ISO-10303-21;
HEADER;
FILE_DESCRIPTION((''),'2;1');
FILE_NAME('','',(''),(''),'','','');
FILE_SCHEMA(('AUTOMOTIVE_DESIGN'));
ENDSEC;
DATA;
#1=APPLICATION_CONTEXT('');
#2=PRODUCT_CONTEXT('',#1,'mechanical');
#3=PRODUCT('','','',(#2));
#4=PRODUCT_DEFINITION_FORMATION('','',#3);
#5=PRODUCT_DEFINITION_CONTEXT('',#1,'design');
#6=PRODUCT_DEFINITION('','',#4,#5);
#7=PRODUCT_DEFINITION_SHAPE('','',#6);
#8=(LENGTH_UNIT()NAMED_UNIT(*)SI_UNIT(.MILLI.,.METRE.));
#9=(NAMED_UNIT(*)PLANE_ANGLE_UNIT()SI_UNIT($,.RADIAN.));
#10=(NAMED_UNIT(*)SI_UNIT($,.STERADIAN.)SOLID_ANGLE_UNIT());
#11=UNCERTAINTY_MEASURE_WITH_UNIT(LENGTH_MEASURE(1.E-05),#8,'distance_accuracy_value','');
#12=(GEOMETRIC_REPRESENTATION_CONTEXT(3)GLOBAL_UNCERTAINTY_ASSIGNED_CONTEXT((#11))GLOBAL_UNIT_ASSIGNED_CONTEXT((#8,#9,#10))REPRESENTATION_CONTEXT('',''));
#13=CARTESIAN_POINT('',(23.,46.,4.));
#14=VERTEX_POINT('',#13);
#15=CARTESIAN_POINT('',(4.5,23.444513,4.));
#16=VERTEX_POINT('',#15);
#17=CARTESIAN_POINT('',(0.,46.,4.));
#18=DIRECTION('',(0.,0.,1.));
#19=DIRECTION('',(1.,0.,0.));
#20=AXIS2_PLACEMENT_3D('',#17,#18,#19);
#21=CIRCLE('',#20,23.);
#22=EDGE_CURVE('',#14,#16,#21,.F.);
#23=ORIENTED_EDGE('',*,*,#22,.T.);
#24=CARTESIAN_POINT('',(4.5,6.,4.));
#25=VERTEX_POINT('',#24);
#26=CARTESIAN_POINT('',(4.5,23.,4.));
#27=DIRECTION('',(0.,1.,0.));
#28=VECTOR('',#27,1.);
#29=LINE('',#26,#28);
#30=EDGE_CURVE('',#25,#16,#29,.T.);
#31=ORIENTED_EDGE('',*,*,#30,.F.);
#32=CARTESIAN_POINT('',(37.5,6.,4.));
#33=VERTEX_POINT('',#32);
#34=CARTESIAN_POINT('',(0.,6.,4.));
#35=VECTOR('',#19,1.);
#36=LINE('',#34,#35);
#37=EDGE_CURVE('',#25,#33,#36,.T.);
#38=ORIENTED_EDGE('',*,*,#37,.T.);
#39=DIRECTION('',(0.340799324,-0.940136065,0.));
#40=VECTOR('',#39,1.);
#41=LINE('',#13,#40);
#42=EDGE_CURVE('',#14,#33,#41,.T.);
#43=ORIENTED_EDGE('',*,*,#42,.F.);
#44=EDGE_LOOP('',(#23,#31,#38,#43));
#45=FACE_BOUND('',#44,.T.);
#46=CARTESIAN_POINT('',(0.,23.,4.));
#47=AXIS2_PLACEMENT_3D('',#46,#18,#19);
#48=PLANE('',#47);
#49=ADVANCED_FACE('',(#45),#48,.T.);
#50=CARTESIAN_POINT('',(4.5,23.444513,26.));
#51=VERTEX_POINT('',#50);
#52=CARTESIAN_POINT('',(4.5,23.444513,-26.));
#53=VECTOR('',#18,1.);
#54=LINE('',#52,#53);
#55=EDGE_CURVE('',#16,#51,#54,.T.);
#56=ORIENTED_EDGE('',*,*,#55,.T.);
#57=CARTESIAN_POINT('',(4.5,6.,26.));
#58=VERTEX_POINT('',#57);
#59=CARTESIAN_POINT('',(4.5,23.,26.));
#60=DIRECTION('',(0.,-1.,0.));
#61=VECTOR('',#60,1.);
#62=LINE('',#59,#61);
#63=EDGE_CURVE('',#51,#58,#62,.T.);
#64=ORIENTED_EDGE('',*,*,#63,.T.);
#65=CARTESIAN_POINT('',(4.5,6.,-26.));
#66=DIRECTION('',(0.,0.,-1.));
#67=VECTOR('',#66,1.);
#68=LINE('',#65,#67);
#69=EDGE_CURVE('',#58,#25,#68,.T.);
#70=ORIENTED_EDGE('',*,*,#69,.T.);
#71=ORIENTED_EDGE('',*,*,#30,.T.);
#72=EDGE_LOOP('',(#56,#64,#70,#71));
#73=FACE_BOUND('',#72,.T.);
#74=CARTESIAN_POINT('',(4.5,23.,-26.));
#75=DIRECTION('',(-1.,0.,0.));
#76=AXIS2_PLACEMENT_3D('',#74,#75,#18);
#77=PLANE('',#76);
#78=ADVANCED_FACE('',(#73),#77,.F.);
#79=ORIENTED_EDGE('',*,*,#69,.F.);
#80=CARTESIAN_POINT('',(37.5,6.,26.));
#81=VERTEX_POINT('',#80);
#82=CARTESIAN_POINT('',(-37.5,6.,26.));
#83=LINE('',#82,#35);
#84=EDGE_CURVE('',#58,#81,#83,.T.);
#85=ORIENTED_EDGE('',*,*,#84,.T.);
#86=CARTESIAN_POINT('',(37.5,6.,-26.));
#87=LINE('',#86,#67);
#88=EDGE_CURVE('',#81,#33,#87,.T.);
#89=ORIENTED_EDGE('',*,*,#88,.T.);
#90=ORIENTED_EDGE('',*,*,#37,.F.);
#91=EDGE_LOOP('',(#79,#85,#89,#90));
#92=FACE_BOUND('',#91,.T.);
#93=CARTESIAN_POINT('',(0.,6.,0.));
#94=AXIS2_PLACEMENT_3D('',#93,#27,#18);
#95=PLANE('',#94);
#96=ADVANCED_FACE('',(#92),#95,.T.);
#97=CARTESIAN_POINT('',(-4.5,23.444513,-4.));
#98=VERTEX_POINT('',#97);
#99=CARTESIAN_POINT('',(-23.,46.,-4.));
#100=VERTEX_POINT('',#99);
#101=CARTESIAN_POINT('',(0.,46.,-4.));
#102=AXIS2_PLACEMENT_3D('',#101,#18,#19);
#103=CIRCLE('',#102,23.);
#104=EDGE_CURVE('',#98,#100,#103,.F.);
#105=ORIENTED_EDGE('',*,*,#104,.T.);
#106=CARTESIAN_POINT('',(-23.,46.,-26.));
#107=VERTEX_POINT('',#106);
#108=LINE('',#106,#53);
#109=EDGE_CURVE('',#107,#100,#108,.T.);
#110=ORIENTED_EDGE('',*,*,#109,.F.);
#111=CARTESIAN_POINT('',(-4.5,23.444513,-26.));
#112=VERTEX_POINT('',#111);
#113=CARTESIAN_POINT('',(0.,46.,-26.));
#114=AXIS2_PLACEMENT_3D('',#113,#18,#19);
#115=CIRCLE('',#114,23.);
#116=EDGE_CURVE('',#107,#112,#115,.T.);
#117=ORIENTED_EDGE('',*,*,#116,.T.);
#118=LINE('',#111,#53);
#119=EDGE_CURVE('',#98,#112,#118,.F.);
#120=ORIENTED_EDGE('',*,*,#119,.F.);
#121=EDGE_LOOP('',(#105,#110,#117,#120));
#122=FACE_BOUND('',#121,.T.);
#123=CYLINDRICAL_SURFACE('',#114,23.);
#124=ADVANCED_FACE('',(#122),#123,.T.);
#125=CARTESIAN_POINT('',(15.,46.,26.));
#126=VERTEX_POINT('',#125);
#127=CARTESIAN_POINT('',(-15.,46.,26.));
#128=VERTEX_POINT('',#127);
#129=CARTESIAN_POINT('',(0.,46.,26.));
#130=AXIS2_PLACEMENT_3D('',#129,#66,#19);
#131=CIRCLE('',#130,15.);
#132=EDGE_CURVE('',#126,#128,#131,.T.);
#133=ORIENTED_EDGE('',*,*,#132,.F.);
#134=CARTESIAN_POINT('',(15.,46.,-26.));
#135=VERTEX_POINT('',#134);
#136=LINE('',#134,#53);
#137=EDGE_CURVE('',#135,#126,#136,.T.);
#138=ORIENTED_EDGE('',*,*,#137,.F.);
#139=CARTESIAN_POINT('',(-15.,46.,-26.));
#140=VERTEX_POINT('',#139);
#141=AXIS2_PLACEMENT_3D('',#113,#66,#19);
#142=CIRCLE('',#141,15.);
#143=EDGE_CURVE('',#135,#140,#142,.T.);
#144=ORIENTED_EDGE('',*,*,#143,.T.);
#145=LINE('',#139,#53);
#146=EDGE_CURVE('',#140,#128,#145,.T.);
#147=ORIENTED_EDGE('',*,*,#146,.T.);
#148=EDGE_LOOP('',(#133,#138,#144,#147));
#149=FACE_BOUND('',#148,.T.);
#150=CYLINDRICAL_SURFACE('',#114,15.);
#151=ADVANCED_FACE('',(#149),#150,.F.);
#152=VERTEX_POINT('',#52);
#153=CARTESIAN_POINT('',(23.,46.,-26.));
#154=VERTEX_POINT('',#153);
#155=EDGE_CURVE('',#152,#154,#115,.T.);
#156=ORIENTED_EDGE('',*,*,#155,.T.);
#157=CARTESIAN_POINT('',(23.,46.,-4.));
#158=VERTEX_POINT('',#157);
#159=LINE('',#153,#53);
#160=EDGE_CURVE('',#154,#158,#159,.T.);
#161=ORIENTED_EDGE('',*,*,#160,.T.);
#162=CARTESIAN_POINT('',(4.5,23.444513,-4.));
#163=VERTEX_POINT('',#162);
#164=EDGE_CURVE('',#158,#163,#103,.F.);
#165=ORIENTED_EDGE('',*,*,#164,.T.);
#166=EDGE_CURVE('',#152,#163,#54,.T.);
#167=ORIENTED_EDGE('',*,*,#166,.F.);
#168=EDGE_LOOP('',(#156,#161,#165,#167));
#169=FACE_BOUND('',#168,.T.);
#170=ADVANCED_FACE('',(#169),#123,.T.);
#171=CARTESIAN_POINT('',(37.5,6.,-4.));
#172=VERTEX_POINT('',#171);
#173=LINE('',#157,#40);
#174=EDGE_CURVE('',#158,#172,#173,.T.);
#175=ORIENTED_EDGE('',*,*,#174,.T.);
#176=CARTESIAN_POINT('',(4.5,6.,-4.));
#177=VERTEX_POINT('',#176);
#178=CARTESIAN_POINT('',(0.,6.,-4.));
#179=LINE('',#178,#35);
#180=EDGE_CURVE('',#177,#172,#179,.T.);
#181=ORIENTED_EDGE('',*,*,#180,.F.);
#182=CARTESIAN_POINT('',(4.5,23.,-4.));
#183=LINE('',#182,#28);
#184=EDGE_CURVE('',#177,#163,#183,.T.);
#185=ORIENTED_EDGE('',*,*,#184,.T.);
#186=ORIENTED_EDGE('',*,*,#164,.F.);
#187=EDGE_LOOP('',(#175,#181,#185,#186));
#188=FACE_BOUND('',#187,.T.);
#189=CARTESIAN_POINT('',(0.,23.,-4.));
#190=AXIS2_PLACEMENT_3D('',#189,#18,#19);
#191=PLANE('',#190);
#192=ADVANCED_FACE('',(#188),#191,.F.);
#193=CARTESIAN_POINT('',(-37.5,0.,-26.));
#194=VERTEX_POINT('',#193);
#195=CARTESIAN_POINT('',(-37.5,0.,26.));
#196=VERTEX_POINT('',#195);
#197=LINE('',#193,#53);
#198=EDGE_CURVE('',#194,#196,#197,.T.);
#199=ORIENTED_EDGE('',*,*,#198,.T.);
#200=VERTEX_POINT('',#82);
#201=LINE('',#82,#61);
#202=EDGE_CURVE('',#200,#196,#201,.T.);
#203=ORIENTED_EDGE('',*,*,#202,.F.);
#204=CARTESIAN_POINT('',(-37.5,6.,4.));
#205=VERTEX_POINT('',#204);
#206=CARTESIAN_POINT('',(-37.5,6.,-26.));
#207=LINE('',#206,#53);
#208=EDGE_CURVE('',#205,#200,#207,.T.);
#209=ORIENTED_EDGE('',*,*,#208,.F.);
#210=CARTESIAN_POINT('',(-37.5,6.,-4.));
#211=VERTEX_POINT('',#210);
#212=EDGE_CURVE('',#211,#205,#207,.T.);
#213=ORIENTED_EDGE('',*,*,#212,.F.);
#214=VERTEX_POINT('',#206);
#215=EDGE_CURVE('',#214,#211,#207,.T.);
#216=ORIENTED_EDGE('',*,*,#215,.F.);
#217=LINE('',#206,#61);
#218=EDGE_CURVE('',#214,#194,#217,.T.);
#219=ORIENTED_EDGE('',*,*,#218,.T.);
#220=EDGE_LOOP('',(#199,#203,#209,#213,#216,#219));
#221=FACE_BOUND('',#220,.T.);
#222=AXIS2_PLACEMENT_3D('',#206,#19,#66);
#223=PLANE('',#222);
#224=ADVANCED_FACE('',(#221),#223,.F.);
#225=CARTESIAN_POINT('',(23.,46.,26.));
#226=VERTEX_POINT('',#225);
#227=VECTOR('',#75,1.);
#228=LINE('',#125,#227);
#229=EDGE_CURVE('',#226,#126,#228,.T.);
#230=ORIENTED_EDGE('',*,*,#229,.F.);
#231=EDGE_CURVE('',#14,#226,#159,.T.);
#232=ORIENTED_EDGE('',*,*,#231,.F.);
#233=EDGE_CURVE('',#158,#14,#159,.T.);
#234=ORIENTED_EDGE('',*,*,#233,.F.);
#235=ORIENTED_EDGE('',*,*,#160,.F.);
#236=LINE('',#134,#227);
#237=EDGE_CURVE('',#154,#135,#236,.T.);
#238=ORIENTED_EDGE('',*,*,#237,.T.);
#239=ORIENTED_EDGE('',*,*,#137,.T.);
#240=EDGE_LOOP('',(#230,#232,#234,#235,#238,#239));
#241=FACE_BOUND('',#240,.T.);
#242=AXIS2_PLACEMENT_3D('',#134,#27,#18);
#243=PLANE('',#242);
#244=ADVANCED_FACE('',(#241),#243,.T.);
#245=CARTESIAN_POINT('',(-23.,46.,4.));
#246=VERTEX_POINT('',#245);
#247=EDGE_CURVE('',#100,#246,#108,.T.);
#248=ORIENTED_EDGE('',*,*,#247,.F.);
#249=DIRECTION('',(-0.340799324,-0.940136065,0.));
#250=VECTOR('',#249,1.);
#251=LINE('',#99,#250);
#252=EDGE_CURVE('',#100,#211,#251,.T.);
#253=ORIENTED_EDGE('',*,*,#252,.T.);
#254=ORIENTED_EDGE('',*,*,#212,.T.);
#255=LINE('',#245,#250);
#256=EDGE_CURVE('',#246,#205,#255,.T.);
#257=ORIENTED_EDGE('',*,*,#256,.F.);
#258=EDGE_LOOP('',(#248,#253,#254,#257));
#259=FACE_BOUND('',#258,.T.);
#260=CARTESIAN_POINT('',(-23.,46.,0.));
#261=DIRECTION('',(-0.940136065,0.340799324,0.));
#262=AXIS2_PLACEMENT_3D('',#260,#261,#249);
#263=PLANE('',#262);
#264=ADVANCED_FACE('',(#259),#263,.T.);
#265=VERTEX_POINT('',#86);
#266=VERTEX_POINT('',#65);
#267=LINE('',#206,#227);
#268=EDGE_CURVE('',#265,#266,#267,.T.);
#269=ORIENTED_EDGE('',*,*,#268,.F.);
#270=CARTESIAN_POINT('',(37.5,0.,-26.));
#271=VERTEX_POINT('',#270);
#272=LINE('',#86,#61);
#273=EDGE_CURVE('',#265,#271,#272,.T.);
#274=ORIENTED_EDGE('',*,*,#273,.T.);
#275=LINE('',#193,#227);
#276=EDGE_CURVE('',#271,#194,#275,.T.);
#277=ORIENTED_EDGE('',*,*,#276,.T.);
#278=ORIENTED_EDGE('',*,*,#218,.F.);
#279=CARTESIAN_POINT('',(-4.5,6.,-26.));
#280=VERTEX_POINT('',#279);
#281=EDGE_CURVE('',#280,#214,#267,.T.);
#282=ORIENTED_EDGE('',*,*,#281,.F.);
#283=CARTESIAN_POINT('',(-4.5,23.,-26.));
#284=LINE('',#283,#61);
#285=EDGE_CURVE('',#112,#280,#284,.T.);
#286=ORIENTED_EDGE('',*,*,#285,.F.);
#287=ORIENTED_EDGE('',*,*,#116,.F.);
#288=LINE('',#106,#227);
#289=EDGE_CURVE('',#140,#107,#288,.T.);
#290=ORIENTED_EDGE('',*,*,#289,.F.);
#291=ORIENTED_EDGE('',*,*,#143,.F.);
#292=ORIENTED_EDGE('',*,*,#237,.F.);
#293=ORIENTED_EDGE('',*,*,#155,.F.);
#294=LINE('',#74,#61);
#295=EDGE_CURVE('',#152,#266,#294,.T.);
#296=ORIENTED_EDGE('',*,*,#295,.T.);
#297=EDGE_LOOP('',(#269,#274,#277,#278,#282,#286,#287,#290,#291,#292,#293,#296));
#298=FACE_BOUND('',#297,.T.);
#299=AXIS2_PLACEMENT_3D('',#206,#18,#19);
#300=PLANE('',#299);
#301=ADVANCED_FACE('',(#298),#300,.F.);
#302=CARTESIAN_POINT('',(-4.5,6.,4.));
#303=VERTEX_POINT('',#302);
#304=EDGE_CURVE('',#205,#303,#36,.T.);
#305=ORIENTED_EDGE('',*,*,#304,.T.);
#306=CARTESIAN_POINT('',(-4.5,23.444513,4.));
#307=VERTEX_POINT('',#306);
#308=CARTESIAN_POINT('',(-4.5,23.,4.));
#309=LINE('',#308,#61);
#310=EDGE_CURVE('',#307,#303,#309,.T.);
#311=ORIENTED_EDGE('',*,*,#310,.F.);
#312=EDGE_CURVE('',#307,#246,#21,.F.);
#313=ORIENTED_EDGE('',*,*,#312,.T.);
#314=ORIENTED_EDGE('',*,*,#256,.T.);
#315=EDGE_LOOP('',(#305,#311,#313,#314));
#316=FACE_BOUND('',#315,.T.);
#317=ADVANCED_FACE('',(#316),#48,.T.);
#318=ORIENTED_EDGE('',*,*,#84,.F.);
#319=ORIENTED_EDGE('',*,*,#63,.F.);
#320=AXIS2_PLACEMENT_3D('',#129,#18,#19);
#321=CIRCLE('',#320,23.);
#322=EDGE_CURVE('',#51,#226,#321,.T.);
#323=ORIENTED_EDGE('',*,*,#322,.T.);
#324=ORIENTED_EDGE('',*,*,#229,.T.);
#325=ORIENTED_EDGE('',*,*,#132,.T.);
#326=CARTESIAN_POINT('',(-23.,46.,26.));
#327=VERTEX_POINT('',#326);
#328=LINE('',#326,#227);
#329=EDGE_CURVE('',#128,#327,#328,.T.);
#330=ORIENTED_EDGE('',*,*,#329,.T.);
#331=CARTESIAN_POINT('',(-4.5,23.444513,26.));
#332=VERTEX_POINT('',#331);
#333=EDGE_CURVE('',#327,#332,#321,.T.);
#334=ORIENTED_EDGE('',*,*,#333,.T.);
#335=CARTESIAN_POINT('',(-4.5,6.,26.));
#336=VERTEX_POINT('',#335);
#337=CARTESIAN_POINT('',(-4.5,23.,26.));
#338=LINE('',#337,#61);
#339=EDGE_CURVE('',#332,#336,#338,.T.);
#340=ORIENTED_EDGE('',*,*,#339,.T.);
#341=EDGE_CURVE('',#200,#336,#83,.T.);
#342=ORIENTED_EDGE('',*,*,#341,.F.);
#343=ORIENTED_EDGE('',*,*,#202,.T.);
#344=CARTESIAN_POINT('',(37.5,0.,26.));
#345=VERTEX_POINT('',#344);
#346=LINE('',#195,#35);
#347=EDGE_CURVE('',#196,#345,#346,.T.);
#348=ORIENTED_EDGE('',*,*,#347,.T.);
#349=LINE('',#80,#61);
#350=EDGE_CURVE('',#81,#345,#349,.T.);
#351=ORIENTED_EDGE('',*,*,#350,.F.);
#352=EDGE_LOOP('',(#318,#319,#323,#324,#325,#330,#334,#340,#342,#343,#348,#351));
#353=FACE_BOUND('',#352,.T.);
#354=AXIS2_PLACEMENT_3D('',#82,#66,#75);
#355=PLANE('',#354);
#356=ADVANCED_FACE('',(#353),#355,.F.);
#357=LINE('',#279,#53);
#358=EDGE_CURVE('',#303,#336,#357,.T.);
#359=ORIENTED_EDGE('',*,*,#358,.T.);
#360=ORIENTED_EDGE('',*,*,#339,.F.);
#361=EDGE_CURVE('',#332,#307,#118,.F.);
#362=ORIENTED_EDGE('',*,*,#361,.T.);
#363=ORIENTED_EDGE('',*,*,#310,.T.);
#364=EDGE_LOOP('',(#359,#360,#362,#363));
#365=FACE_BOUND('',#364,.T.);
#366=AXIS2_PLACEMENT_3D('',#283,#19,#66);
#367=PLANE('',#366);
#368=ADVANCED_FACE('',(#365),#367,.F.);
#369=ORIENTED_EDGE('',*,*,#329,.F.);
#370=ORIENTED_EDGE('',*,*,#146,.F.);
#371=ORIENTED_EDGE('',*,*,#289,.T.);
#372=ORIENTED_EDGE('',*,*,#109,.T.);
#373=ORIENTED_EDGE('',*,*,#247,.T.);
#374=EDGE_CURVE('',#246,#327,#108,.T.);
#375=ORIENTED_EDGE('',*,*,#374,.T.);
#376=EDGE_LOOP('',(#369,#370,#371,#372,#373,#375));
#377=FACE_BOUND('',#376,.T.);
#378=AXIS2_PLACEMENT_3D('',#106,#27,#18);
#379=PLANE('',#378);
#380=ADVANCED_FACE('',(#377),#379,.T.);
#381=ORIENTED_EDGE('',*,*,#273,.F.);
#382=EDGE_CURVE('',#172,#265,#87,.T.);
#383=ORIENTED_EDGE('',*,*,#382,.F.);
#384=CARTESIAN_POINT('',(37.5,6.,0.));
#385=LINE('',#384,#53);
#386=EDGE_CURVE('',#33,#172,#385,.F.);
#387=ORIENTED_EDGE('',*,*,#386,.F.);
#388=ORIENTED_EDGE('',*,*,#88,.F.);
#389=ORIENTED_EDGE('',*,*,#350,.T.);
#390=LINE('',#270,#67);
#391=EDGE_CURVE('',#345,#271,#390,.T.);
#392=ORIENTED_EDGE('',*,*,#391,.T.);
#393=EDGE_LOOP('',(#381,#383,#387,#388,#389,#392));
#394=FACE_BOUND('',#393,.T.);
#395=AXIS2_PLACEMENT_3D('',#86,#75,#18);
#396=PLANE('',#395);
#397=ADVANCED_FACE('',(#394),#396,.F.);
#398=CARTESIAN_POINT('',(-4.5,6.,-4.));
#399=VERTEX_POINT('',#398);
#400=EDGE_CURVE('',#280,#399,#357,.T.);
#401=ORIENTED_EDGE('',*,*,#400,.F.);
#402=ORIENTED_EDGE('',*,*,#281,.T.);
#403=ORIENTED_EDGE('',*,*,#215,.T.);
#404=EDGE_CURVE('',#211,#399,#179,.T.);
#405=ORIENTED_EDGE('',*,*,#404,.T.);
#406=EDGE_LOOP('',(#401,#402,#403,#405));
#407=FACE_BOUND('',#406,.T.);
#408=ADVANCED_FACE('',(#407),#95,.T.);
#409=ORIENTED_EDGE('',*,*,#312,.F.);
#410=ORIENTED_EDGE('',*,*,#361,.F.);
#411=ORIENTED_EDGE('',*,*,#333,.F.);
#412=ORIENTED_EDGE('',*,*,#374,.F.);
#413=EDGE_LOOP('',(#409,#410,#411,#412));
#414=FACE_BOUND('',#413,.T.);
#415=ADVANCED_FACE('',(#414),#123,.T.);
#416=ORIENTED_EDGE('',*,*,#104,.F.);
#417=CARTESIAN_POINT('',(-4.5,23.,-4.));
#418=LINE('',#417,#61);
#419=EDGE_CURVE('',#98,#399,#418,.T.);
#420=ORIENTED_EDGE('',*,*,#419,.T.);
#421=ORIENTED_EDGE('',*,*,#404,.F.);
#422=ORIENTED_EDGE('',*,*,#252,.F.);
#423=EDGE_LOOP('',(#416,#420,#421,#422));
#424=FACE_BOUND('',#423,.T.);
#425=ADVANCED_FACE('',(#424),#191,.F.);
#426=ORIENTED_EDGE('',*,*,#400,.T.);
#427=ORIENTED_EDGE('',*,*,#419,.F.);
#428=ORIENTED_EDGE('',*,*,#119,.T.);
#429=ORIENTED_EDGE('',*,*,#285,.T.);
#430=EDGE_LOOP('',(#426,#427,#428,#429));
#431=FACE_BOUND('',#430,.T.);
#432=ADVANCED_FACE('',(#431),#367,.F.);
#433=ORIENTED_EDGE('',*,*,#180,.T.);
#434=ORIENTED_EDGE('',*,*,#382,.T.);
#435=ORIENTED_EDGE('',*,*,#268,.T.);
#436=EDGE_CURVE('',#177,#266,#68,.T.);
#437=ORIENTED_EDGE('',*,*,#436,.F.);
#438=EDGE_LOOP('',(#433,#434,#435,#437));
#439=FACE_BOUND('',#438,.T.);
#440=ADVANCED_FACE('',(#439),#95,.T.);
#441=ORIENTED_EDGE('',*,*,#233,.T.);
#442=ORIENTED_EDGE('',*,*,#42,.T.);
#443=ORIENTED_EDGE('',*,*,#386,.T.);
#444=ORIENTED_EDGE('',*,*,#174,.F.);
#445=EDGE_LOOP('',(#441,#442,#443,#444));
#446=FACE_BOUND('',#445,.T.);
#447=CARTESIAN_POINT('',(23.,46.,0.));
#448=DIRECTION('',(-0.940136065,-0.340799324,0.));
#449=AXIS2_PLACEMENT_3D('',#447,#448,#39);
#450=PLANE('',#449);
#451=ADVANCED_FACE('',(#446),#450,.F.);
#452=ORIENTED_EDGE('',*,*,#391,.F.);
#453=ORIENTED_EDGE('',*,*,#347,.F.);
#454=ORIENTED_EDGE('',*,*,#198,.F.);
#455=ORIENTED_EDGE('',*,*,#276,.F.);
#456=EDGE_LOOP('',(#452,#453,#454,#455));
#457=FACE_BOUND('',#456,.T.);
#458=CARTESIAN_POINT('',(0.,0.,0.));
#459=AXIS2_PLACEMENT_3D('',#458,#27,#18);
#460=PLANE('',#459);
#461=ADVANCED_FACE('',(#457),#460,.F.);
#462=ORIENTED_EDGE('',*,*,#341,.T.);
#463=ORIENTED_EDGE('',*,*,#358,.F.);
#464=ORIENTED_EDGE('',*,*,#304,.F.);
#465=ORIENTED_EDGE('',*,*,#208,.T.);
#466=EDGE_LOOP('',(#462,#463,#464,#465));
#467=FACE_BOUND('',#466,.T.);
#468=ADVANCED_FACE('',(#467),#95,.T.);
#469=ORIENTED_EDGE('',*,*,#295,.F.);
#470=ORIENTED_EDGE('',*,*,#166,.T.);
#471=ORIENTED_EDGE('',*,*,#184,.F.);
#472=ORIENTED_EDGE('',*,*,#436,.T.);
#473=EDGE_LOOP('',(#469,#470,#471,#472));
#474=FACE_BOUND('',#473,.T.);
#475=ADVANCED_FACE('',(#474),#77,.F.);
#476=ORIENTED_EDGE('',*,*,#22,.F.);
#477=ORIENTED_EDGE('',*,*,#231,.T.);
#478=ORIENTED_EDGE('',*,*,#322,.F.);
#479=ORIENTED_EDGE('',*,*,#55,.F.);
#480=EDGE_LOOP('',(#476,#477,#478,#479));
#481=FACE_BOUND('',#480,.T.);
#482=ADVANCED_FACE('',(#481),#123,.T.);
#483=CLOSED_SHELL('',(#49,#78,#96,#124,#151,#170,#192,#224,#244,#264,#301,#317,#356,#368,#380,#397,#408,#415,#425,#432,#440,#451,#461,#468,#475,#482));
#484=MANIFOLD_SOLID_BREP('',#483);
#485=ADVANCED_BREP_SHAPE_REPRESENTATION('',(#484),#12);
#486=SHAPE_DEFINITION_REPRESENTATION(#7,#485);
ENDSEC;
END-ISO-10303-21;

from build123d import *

# Parameters (mm, degrees)
SKETCH1_W           = 75
SKETCH1_H           = 52
BOSS_EXTRUDE1_DEPTH = 6
SKETCH2_W           = 9
SKETCH2_H           = 52
BOSS_EXTRUDE2_DEPTH = 17
BOSS_EXTRUDE3_DEPTH = 52
BOSS_EXTRUDE5_REACH = 53.1
SKETCH6_W           = 9
SKETCH6_H           = 52
RIB1_REACH          = 66.794
SKETCH7_WALL_W      = 174.134840868
SKETCH7_WALL_H      = 8


with BuildPart() as part:
    # Sketch1 → Boss-Extrude1 (new body)
    with BuildSketch(Plane(origin=(0, 0, 0), x_dir=(1, 0, 0), z_dir=(0, 1, 0))):
        Rectangle(SKETCH1_W, SKETCH1_H)
    extrude(amount=BOSS_EXTRUDE1_DEPTH)

    # Sketch2 → Boss-Extrude2 (add)
    with BuildSketch(Plane(origin=(0, 6, 0), x_dir=(1, 0, 0), z_dir=(0, 1, 0))):
        Rectangle(SKETCH2_W, SKETCH2_H)
    extrude(amount=BOSS_EXTRUDE2_DEPTH)


with BuildPart() as body_2:
    # Sketch3 → Boss-Extrude3 (new body)
    with BuildSketch(Plane.XY.offset(26)):
        with BuildLine():
            Line((-23, 46), (-15, 46))
            ThreePointArc((-15, 46), (0, 31), (15, 46))
            Line((15, 46), (23, 46))
            ThreePointArc((23, 46), (0, 23), (-23, 46))
        make_face()
    extrude(amount=-BOSS_EXTRUDE3_DEPTH)

    # Sketch6 → Boss-Extrude5 (add, up to next)
    with BuildSketch(Plane(origin=(0, 23, 0), x_dir=(1, 0, 0), z_dir=(0, 1, 0)), mode=Mode.PRIVATE) as boss_extrude5_sk1:
        Rectangle(SKETCH6_W, SKETCH6_H)
    boss_extrude5_tool1 = extrude(boss_extrude5_sk1.sketch, amount=BOSS_EXTRUDE5_REACH, mode=Mode.PRIVATE) - body_2.part

    add(part.part)  # Boss-Extrude5 merges part
    add(boss_extrude5_tool1.solids().sort_by_distance((0, 23, 0))[0])
    add(boss_extrude5_tool1.solids().sort_by_distance((0, 23, 0))[1])

    # Sketch7 wall → Rib1 (add, up to next)
    with BuildSketch(Plane(origin=(30.25, 26, 0), x_dir=(0.340799323621, -0.940136065162, 0), z_dir=(0.940136065162, 0.340799323621, 0)), mode=Mode.PRIVATE) as rib1_sk1:
        Rectangle(SKETCH7_WALL_W, SKETCH7_WALL_H)
    rib1_tool1 = extrude(rib1_sk1.sketch, amount=-RIB1_REACH, mode=Mode.PRIVATE) - body_2.part
    rib1 = rib1_tool1.solids().sort_by_distance((30.25, 26, 0))[0]
    add(rib1)

    # Mirror3: Rib1 across plane
    add(rib1.mirror(Plane(origin=(0, 0, 0), x_dir=(0, 0, 1), z_dir=(1, 0, 0))))


solid = body_2.part
